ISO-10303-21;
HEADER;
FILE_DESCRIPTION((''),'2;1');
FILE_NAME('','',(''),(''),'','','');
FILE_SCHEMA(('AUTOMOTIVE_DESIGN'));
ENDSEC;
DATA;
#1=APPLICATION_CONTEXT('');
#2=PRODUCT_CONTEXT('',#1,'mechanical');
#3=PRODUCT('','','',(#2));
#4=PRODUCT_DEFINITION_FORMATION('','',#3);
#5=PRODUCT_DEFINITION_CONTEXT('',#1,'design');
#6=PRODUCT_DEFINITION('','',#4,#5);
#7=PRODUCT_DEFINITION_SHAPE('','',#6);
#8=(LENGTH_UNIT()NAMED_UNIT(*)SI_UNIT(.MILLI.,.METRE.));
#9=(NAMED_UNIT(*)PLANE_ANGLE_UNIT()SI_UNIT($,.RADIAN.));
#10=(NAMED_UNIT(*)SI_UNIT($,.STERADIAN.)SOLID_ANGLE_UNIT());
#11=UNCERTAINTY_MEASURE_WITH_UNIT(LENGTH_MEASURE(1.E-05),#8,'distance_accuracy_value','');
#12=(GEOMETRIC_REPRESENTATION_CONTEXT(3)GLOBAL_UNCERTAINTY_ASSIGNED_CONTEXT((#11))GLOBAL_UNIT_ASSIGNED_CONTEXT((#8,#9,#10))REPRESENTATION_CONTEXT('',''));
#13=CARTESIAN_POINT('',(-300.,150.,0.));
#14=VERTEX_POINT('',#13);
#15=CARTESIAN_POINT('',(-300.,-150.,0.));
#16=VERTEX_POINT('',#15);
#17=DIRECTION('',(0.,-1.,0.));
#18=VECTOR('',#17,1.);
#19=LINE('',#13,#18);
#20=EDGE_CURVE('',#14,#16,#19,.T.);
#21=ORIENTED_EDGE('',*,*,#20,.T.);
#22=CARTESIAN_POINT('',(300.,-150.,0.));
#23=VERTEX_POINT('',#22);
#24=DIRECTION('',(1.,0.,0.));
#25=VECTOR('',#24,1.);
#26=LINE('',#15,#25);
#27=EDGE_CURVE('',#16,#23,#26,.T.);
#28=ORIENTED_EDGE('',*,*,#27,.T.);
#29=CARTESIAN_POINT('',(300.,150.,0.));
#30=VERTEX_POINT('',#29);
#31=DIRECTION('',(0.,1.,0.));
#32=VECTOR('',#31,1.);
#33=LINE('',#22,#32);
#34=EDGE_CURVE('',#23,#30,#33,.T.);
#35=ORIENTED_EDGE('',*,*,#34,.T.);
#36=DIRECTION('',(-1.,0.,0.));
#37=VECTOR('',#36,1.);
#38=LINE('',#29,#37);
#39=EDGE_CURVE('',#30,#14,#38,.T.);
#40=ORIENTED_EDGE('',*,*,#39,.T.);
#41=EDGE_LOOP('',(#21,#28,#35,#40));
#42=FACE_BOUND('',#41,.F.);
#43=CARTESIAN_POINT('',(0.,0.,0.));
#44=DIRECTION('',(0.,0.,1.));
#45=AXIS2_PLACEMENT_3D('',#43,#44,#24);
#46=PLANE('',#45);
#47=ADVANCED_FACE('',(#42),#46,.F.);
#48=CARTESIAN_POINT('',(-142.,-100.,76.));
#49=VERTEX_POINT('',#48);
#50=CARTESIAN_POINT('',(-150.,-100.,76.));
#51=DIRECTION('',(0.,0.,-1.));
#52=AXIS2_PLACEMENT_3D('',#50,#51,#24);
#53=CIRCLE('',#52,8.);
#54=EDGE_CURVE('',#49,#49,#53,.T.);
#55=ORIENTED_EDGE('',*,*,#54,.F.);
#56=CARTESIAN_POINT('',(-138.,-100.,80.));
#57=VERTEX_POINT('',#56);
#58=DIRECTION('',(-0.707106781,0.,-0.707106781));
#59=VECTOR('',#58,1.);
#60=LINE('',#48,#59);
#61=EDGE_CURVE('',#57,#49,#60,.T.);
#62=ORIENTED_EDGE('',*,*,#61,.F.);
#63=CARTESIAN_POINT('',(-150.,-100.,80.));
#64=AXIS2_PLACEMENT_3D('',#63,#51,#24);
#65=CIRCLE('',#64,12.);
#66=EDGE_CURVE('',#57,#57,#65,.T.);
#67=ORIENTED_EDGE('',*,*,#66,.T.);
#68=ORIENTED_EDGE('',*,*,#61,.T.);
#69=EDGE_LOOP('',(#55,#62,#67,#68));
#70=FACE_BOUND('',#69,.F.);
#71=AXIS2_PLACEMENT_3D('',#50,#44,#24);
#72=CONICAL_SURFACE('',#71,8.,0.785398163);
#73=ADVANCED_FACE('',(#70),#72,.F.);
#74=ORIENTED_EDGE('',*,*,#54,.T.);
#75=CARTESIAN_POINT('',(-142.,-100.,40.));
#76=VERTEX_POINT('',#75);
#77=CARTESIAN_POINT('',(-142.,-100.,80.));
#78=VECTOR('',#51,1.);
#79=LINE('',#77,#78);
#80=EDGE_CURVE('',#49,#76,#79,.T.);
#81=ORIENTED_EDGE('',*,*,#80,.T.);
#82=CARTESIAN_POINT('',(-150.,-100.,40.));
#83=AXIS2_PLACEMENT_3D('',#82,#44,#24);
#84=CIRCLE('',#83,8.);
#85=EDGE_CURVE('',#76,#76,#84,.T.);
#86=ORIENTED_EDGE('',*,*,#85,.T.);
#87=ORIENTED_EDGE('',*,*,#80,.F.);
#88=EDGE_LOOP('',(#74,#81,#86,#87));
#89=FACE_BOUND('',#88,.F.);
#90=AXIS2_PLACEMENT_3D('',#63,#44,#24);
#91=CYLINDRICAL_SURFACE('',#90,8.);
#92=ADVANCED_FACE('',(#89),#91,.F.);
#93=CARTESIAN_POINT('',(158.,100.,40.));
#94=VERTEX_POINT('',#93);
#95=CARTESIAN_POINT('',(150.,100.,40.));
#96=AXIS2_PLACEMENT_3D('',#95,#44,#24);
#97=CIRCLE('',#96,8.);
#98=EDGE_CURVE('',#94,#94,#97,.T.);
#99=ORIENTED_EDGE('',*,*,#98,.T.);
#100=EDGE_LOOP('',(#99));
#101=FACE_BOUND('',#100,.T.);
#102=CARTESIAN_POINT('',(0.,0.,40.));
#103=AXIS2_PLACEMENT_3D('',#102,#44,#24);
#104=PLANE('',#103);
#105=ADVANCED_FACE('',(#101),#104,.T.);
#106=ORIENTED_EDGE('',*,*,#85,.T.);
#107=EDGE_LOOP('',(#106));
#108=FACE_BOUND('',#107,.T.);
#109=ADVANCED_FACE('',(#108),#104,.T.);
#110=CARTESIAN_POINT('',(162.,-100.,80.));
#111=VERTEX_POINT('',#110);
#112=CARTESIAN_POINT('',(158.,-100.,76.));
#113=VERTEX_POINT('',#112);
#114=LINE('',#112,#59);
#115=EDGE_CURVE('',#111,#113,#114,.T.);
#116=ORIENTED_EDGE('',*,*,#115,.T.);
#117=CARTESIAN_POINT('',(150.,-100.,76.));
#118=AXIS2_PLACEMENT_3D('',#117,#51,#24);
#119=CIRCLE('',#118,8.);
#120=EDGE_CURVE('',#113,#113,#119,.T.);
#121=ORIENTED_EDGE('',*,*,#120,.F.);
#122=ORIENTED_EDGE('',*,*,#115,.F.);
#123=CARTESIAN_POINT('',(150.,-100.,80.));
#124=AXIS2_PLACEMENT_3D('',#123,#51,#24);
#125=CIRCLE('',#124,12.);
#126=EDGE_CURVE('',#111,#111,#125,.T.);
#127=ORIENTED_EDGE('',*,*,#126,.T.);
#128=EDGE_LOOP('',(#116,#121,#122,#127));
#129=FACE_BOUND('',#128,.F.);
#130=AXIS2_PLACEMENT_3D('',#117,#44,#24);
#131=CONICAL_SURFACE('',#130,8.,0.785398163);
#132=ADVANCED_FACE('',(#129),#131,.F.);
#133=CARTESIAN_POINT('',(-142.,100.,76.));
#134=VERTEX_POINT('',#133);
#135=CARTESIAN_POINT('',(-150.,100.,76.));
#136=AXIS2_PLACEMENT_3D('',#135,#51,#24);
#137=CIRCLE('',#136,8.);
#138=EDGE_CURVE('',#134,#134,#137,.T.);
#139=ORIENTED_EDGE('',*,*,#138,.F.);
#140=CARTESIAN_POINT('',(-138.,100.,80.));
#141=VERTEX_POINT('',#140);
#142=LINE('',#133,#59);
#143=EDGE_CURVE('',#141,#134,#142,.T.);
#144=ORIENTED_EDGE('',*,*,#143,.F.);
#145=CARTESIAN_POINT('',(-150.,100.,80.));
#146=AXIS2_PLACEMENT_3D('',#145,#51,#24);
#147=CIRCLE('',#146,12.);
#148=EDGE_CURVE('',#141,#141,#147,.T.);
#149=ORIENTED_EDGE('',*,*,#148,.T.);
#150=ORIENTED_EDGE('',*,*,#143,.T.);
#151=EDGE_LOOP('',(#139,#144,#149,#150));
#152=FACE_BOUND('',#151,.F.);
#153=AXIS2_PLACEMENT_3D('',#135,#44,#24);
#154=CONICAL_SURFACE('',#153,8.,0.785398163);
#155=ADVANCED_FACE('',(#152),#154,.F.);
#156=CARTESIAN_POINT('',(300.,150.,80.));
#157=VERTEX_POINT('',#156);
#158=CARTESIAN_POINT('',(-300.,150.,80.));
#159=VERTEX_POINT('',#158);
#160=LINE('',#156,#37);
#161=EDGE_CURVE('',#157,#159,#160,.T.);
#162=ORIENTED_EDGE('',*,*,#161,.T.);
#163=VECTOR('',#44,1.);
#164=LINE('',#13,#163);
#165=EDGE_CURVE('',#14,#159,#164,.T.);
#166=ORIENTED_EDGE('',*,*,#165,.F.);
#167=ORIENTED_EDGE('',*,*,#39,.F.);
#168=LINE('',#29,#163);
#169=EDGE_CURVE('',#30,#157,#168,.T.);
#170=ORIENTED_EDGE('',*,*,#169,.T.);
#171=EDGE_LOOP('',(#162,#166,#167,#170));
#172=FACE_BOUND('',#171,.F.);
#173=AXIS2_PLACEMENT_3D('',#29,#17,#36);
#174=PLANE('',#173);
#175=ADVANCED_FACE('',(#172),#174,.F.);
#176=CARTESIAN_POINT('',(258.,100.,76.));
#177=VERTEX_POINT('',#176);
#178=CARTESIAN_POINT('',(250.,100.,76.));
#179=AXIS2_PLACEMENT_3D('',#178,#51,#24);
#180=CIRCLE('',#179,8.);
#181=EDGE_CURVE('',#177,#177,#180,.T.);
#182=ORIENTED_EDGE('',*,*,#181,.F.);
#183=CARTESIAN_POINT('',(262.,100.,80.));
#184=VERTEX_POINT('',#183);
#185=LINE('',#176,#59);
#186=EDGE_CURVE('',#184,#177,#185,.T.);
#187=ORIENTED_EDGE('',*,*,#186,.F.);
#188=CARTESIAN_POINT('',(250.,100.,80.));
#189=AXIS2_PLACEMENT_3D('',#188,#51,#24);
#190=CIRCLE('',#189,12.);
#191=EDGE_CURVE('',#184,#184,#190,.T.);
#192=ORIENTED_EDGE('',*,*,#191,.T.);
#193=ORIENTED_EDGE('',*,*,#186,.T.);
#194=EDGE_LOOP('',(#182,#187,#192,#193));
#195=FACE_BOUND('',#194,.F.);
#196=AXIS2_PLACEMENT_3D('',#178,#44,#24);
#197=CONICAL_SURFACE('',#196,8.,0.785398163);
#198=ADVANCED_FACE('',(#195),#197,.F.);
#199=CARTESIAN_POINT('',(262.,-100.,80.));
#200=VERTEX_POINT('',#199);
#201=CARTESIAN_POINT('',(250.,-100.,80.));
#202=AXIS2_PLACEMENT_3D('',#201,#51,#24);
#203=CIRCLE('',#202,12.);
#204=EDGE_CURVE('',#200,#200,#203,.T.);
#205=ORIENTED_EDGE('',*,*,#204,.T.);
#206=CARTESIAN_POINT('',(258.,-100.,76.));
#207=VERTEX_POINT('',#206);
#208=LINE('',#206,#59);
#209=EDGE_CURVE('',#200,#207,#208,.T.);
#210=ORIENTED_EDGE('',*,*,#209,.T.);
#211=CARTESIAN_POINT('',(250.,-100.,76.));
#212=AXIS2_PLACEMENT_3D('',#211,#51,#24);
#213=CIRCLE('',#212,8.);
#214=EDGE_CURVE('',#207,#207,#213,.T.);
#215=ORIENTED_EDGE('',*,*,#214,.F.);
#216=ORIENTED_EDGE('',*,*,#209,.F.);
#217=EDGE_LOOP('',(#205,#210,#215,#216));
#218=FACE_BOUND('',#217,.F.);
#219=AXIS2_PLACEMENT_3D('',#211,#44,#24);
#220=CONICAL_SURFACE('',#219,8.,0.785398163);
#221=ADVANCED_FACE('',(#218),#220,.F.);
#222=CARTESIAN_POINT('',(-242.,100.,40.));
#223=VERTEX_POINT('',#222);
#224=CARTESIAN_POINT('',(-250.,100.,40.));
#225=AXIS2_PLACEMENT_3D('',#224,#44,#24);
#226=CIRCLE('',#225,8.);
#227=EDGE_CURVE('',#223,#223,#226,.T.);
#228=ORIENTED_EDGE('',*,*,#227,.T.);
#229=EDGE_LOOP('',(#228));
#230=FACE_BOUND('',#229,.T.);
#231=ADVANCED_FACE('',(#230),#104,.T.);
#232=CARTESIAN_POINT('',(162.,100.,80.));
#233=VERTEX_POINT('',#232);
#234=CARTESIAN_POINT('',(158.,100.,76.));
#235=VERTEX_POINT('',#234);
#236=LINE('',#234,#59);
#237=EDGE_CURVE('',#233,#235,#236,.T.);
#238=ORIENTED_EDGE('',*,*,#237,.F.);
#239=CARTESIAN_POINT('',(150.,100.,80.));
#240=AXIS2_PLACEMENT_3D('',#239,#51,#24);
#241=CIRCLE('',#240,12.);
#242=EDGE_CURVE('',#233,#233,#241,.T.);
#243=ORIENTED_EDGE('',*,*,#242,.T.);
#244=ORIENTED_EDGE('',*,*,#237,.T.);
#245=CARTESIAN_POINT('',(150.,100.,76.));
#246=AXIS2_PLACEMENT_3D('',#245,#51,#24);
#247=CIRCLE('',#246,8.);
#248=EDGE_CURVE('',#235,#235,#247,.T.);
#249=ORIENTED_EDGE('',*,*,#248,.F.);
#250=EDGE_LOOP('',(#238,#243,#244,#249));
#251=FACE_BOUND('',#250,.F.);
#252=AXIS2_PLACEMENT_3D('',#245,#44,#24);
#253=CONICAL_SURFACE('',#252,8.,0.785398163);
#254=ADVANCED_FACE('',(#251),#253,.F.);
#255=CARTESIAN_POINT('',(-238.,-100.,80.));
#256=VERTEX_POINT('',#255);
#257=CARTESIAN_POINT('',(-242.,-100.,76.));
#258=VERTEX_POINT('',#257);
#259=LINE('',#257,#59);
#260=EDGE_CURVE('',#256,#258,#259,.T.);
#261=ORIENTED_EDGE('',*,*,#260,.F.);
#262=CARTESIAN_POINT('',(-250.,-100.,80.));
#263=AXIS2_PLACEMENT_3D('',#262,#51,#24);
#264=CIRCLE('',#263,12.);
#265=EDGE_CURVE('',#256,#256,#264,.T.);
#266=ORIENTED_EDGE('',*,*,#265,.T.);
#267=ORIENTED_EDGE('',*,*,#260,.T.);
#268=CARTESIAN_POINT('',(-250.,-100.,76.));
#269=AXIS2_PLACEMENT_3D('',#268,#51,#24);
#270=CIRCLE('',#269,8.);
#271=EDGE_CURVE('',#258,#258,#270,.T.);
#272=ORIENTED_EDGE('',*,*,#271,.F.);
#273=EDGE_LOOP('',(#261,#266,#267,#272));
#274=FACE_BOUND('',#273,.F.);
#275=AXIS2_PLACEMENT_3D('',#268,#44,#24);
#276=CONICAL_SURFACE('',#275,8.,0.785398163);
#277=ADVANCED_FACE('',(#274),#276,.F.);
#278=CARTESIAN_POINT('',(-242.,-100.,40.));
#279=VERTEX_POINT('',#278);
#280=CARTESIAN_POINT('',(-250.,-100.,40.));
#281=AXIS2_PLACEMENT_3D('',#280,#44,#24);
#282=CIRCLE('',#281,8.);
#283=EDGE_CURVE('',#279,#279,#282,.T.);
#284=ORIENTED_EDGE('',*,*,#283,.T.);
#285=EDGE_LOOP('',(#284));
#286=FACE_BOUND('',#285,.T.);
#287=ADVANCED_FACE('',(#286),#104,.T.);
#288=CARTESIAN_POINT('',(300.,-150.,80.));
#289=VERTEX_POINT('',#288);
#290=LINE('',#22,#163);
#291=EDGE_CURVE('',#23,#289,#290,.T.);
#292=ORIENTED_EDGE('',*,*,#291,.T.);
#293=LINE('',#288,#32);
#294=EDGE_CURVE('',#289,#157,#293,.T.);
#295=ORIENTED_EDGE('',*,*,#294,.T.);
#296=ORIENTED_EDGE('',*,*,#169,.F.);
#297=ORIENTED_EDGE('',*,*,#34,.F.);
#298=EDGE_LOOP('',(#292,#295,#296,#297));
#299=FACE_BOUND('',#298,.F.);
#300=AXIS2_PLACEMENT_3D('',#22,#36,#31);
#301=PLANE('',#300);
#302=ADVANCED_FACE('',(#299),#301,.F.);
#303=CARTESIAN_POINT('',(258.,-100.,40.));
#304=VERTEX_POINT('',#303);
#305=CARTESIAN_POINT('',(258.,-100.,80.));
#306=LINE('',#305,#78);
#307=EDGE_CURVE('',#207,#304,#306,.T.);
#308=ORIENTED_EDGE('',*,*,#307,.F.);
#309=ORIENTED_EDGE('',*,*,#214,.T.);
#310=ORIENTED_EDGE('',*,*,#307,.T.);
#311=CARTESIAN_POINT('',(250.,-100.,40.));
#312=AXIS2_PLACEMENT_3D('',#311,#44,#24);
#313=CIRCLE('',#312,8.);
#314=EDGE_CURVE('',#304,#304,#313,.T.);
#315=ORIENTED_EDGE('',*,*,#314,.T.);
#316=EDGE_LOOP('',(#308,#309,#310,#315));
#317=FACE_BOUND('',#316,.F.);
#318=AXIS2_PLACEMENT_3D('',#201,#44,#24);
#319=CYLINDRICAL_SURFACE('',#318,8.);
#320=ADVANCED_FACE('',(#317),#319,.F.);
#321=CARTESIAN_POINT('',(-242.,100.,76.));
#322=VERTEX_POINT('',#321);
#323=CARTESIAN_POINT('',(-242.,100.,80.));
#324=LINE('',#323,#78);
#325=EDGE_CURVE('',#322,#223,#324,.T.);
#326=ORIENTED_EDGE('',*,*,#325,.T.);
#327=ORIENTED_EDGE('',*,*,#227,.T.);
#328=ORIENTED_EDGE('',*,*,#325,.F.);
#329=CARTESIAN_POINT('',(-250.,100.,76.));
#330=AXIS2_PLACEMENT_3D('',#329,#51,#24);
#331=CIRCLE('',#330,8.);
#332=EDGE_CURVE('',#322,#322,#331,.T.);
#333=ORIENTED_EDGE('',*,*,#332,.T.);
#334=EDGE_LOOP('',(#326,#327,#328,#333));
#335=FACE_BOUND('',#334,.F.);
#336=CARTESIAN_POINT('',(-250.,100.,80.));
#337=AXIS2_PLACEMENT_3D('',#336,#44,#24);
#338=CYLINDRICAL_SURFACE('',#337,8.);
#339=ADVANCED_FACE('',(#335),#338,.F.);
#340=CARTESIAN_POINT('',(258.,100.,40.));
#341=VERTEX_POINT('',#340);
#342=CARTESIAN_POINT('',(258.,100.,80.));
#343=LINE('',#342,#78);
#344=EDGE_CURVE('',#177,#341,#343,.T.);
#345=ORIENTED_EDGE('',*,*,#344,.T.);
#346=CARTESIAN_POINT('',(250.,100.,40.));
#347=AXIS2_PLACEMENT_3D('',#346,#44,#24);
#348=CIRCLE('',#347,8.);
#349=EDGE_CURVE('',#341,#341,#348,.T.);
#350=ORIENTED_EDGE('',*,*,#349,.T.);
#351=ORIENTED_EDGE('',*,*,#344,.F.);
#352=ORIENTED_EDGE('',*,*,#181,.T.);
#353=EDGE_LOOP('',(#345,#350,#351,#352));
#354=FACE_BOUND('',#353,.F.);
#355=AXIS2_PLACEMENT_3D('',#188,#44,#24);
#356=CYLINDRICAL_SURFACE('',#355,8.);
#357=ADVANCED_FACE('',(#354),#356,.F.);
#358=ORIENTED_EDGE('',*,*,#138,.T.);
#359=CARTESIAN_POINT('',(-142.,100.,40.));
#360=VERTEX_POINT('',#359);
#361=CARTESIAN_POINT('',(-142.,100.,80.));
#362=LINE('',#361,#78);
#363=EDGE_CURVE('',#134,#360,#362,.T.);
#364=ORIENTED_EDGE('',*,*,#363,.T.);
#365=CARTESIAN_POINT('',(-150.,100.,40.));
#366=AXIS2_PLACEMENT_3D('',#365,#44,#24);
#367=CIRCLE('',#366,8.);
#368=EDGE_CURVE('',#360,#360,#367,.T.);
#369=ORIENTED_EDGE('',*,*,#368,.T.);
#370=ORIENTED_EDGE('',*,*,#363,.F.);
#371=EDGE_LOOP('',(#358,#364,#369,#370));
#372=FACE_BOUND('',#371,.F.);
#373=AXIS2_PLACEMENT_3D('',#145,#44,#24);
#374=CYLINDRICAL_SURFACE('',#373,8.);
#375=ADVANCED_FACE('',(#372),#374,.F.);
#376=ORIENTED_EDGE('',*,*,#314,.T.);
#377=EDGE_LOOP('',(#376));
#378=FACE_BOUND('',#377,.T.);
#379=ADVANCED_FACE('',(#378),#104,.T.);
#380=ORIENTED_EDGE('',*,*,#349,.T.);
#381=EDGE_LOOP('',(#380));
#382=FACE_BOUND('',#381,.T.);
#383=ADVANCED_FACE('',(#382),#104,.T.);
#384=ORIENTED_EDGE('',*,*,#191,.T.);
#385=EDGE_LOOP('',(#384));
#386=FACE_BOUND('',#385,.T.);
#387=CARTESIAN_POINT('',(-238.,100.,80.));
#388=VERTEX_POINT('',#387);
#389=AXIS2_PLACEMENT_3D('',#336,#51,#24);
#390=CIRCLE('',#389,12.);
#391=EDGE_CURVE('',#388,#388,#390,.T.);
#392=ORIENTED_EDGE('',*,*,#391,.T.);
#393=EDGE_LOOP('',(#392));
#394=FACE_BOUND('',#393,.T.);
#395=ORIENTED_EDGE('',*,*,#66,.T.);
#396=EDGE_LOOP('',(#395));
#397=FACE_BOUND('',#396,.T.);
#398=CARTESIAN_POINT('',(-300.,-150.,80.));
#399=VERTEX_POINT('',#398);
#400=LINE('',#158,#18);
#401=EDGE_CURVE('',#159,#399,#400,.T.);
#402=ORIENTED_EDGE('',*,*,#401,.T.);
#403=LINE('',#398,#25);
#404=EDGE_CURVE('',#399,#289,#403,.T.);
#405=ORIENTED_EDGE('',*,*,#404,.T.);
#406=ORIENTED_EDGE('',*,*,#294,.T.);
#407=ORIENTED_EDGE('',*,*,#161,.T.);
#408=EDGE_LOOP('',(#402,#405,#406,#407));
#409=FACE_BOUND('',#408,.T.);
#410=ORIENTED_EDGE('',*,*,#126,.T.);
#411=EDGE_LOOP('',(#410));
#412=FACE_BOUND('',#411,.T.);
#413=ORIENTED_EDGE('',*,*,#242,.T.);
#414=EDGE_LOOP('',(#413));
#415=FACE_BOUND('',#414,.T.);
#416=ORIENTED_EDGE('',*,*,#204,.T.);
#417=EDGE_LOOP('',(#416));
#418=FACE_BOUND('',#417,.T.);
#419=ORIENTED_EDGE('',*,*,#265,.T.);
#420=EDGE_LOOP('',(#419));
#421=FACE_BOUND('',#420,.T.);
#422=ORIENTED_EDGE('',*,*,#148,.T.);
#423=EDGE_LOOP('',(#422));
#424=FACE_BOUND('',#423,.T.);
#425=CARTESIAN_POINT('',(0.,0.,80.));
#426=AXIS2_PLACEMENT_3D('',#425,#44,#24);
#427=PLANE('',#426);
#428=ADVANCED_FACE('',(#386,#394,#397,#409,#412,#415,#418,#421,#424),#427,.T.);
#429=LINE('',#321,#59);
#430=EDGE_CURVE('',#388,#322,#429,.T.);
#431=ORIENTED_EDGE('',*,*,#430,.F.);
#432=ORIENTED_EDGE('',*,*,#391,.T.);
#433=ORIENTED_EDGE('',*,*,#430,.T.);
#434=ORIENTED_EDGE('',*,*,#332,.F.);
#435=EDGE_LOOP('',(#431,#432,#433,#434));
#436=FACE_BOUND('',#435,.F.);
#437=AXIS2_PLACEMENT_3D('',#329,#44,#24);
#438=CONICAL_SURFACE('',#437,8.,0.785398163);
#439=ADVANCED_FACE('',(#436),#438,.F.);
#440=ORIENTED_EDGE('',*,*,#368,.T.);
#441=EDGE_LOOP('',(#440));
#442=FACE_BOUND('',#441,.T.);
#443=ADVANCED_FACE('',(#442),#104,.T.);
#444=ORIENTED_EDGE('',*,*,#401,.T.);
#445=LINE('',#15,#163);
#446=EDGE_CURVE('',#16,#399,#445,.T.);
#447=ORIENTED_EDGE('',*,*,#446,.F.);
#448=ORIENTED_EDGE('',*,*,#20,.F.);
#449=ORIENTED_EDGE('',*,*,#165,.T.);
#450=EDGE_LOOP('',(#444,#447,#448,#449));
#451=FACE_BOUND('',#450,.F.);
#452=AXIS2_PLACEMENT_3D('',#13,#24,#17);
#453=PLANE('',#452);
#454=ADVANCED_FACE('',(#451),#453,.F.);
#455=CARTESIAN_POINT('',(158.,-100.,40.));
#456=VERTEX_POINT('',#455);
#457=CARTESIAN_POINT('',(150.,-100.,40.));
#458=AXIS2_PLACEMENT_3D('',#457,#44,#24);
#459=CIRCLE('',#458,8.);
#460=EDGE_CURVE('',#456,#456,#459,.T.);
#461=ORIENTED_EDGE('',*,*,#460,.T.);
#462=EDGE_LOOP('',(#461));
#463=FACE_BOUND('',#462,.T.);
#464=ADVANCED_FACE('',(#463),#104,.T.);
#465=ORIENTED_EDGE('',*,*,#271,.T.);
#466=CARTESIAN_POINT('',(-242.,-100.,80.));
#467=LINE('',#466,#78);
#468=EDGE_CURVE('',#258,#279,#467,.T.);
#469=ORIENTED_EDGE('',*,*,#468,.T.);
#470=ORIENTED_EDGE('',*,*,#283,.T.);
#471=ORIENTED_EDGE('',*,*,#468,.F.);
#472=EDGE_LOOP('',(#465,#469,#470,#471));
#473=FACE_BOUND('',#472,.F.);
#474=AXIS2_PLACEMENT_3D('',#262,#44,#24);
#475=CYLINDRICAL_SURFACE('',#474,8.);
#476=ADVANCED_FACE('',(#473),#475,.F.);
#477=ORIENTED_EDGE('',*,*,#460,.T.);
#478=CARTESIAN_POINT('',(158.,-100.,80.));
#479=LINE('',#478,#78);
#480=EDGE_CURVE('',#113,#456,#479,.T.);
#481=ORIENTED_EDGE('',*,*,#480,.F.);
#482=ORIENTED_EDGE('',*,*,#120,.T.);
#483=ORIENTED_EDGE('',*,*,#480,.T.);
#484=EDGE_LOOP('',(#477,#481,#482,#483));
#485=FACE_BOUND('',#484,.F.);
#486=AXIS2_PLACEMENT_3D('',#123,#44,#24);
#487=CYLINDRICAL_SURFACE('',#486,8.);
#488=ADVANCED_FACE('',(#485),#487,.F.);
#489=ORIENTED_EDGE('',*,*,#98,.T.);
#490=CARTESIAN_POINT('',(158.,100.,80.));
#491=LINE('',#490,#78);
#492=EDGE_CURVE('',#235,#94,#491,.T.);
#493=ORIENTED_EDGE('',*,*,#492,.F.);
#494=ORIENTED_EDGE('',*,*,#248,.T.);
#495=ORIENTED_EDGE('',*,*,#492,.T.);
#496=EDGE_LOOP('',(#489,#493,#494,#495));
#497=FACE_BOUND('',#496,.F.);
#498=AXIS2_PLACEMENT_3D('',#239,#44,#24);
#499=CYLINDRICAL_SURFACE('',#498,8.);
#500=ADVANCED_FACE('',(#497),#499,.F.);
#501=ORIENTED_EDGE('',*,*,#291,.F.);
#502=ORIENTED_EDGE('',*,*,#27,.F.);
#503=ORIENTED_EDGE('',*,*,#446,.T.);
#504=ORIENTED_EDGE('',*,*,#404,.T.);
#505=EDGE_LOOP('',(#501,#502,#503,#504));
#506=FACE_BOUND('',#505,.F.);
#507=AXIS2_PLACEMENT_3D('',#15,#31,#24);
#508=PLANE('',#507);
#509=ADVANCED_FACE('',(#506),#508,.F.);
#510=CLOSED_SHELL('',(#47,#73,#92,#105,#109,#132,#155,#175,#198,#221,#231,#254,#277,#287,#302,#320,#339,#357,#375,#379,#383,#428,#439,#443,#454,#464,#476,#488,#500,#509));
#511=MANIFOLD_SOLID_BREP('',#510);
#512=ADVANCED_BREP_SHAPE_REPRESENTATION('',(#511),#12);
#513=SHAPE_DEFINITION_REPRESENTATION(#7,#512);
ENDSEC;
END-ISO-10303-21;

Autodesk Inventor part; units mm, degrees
ref_plane "YZ Plane" through (0, 0, 0) normal (1, 0, 0) x (0, 1, 0)
ref_plane "XZ Plane" through (0, 0, 0) normal (0, 1, 0) x (-1, 0, 0)
ref_plane "XY Plane" through (0, 0, 0) normal (0, 0, 1) x (1, 0, 0)
sketch "Esboço1" plane through (0, 0, 0) normal (0, 0, 1) x (1, 0, 0)
  line L0 (-300, -150) -> (300, -150)
  line L1 (300, -150) -> (300, 150)
  line L2 (300, 150) -> (-300, 150)
  line L3 (-300, 150) -> (-300, -150)
  line L4 (-300, -150) -> (300, 150) construction
  line L5 (300, -150) -> (-300, 150) construction
  point P0 (0, 0)
  dimension "d0" = 600
  dimension "d1" = 300
extrude "Extrusão1" add sketch "Esboço1" along normal blind 80
sketch "Esboço2" plane through (0, 0, 80) normal (0, 0, 1) x (1, 0, 0)
  line L0 (-250, -100) -> (250, -100)
  line L1 (250, -100) -> (250, 100)
  line L2 (250, 100) -> (-250, 100)
  line L3 (-250, 100) -> (-250, -100)
  line L4 (-250, -100) -> (250, 100) construction
  line L5 (250, -100) -> (-250, 100) construction
  line L6 (-150, -100) -> (150, -100)
  line L7 (150, -100) -> (150, 100)
  line L8 (150, 100) -> (-150, 100)
  line L9 (-150, 100) -> (-150, -100)
  line L10 (-150, -100) -> (150, 100) construction
  line L11 (150, -100) -> (-150, 100) construction
  circle A0 centre (-250, 100) radius 8
  circle A1 centre (-150, 100) radius 8
  circle A2 centre (150, 100) radius 8
  circle A3 centre (250, 100) radius 8
  circle A4 centre (250, -100) radius 8
  circle A5 centre (150, -100) radius 8
  circle A6 centre (-150, -100) radius 8
  circle A7 centre (-250, -100) radius 8
  point P0 (0, 0)
  dimension "d4" = 500
  dimension "d5" = 200
  dimension "d6" = 300
  dimension "d7" = 16
  dimension "d8" = 16
  dimension "d9" = 16
  dimension "d10" = 16
  dimension "d11" = 16
  dimension "d12" = 16
  dimension "d13" = 16
  dimension "d14" = 16
extrude "Extrusão2" cut sketch "Esboço2" against normal blind 40 contours L3 A7 L0 | L0 A7 L3 | A6 L9 L0 | L0 A6 | A0 L2 L3 | L3 L2 A0 | L9 A6 L0 | A1 L2 L9 | L9 L2 A1 | A5 L7 L0 | L0 A5 | A1 L2 | L7 A5 L0 | A2 L2 | L2 L7 A2 | L7 L2 A2 | A4 L1 L0 | L0 L1 A4 | A3 L1 L2 | L2 L1 A3
chamfer "Chanfro1" distance 4 angle 45 8 edges at (-258, 100, 80) (-158, 100, 80) (-258, -100, 80) (-158, -100, 80) (142, 100, 80) (142, -100, 80) (242, 100, 80) (242, -100, 80)
properties part number "suporte topo"
